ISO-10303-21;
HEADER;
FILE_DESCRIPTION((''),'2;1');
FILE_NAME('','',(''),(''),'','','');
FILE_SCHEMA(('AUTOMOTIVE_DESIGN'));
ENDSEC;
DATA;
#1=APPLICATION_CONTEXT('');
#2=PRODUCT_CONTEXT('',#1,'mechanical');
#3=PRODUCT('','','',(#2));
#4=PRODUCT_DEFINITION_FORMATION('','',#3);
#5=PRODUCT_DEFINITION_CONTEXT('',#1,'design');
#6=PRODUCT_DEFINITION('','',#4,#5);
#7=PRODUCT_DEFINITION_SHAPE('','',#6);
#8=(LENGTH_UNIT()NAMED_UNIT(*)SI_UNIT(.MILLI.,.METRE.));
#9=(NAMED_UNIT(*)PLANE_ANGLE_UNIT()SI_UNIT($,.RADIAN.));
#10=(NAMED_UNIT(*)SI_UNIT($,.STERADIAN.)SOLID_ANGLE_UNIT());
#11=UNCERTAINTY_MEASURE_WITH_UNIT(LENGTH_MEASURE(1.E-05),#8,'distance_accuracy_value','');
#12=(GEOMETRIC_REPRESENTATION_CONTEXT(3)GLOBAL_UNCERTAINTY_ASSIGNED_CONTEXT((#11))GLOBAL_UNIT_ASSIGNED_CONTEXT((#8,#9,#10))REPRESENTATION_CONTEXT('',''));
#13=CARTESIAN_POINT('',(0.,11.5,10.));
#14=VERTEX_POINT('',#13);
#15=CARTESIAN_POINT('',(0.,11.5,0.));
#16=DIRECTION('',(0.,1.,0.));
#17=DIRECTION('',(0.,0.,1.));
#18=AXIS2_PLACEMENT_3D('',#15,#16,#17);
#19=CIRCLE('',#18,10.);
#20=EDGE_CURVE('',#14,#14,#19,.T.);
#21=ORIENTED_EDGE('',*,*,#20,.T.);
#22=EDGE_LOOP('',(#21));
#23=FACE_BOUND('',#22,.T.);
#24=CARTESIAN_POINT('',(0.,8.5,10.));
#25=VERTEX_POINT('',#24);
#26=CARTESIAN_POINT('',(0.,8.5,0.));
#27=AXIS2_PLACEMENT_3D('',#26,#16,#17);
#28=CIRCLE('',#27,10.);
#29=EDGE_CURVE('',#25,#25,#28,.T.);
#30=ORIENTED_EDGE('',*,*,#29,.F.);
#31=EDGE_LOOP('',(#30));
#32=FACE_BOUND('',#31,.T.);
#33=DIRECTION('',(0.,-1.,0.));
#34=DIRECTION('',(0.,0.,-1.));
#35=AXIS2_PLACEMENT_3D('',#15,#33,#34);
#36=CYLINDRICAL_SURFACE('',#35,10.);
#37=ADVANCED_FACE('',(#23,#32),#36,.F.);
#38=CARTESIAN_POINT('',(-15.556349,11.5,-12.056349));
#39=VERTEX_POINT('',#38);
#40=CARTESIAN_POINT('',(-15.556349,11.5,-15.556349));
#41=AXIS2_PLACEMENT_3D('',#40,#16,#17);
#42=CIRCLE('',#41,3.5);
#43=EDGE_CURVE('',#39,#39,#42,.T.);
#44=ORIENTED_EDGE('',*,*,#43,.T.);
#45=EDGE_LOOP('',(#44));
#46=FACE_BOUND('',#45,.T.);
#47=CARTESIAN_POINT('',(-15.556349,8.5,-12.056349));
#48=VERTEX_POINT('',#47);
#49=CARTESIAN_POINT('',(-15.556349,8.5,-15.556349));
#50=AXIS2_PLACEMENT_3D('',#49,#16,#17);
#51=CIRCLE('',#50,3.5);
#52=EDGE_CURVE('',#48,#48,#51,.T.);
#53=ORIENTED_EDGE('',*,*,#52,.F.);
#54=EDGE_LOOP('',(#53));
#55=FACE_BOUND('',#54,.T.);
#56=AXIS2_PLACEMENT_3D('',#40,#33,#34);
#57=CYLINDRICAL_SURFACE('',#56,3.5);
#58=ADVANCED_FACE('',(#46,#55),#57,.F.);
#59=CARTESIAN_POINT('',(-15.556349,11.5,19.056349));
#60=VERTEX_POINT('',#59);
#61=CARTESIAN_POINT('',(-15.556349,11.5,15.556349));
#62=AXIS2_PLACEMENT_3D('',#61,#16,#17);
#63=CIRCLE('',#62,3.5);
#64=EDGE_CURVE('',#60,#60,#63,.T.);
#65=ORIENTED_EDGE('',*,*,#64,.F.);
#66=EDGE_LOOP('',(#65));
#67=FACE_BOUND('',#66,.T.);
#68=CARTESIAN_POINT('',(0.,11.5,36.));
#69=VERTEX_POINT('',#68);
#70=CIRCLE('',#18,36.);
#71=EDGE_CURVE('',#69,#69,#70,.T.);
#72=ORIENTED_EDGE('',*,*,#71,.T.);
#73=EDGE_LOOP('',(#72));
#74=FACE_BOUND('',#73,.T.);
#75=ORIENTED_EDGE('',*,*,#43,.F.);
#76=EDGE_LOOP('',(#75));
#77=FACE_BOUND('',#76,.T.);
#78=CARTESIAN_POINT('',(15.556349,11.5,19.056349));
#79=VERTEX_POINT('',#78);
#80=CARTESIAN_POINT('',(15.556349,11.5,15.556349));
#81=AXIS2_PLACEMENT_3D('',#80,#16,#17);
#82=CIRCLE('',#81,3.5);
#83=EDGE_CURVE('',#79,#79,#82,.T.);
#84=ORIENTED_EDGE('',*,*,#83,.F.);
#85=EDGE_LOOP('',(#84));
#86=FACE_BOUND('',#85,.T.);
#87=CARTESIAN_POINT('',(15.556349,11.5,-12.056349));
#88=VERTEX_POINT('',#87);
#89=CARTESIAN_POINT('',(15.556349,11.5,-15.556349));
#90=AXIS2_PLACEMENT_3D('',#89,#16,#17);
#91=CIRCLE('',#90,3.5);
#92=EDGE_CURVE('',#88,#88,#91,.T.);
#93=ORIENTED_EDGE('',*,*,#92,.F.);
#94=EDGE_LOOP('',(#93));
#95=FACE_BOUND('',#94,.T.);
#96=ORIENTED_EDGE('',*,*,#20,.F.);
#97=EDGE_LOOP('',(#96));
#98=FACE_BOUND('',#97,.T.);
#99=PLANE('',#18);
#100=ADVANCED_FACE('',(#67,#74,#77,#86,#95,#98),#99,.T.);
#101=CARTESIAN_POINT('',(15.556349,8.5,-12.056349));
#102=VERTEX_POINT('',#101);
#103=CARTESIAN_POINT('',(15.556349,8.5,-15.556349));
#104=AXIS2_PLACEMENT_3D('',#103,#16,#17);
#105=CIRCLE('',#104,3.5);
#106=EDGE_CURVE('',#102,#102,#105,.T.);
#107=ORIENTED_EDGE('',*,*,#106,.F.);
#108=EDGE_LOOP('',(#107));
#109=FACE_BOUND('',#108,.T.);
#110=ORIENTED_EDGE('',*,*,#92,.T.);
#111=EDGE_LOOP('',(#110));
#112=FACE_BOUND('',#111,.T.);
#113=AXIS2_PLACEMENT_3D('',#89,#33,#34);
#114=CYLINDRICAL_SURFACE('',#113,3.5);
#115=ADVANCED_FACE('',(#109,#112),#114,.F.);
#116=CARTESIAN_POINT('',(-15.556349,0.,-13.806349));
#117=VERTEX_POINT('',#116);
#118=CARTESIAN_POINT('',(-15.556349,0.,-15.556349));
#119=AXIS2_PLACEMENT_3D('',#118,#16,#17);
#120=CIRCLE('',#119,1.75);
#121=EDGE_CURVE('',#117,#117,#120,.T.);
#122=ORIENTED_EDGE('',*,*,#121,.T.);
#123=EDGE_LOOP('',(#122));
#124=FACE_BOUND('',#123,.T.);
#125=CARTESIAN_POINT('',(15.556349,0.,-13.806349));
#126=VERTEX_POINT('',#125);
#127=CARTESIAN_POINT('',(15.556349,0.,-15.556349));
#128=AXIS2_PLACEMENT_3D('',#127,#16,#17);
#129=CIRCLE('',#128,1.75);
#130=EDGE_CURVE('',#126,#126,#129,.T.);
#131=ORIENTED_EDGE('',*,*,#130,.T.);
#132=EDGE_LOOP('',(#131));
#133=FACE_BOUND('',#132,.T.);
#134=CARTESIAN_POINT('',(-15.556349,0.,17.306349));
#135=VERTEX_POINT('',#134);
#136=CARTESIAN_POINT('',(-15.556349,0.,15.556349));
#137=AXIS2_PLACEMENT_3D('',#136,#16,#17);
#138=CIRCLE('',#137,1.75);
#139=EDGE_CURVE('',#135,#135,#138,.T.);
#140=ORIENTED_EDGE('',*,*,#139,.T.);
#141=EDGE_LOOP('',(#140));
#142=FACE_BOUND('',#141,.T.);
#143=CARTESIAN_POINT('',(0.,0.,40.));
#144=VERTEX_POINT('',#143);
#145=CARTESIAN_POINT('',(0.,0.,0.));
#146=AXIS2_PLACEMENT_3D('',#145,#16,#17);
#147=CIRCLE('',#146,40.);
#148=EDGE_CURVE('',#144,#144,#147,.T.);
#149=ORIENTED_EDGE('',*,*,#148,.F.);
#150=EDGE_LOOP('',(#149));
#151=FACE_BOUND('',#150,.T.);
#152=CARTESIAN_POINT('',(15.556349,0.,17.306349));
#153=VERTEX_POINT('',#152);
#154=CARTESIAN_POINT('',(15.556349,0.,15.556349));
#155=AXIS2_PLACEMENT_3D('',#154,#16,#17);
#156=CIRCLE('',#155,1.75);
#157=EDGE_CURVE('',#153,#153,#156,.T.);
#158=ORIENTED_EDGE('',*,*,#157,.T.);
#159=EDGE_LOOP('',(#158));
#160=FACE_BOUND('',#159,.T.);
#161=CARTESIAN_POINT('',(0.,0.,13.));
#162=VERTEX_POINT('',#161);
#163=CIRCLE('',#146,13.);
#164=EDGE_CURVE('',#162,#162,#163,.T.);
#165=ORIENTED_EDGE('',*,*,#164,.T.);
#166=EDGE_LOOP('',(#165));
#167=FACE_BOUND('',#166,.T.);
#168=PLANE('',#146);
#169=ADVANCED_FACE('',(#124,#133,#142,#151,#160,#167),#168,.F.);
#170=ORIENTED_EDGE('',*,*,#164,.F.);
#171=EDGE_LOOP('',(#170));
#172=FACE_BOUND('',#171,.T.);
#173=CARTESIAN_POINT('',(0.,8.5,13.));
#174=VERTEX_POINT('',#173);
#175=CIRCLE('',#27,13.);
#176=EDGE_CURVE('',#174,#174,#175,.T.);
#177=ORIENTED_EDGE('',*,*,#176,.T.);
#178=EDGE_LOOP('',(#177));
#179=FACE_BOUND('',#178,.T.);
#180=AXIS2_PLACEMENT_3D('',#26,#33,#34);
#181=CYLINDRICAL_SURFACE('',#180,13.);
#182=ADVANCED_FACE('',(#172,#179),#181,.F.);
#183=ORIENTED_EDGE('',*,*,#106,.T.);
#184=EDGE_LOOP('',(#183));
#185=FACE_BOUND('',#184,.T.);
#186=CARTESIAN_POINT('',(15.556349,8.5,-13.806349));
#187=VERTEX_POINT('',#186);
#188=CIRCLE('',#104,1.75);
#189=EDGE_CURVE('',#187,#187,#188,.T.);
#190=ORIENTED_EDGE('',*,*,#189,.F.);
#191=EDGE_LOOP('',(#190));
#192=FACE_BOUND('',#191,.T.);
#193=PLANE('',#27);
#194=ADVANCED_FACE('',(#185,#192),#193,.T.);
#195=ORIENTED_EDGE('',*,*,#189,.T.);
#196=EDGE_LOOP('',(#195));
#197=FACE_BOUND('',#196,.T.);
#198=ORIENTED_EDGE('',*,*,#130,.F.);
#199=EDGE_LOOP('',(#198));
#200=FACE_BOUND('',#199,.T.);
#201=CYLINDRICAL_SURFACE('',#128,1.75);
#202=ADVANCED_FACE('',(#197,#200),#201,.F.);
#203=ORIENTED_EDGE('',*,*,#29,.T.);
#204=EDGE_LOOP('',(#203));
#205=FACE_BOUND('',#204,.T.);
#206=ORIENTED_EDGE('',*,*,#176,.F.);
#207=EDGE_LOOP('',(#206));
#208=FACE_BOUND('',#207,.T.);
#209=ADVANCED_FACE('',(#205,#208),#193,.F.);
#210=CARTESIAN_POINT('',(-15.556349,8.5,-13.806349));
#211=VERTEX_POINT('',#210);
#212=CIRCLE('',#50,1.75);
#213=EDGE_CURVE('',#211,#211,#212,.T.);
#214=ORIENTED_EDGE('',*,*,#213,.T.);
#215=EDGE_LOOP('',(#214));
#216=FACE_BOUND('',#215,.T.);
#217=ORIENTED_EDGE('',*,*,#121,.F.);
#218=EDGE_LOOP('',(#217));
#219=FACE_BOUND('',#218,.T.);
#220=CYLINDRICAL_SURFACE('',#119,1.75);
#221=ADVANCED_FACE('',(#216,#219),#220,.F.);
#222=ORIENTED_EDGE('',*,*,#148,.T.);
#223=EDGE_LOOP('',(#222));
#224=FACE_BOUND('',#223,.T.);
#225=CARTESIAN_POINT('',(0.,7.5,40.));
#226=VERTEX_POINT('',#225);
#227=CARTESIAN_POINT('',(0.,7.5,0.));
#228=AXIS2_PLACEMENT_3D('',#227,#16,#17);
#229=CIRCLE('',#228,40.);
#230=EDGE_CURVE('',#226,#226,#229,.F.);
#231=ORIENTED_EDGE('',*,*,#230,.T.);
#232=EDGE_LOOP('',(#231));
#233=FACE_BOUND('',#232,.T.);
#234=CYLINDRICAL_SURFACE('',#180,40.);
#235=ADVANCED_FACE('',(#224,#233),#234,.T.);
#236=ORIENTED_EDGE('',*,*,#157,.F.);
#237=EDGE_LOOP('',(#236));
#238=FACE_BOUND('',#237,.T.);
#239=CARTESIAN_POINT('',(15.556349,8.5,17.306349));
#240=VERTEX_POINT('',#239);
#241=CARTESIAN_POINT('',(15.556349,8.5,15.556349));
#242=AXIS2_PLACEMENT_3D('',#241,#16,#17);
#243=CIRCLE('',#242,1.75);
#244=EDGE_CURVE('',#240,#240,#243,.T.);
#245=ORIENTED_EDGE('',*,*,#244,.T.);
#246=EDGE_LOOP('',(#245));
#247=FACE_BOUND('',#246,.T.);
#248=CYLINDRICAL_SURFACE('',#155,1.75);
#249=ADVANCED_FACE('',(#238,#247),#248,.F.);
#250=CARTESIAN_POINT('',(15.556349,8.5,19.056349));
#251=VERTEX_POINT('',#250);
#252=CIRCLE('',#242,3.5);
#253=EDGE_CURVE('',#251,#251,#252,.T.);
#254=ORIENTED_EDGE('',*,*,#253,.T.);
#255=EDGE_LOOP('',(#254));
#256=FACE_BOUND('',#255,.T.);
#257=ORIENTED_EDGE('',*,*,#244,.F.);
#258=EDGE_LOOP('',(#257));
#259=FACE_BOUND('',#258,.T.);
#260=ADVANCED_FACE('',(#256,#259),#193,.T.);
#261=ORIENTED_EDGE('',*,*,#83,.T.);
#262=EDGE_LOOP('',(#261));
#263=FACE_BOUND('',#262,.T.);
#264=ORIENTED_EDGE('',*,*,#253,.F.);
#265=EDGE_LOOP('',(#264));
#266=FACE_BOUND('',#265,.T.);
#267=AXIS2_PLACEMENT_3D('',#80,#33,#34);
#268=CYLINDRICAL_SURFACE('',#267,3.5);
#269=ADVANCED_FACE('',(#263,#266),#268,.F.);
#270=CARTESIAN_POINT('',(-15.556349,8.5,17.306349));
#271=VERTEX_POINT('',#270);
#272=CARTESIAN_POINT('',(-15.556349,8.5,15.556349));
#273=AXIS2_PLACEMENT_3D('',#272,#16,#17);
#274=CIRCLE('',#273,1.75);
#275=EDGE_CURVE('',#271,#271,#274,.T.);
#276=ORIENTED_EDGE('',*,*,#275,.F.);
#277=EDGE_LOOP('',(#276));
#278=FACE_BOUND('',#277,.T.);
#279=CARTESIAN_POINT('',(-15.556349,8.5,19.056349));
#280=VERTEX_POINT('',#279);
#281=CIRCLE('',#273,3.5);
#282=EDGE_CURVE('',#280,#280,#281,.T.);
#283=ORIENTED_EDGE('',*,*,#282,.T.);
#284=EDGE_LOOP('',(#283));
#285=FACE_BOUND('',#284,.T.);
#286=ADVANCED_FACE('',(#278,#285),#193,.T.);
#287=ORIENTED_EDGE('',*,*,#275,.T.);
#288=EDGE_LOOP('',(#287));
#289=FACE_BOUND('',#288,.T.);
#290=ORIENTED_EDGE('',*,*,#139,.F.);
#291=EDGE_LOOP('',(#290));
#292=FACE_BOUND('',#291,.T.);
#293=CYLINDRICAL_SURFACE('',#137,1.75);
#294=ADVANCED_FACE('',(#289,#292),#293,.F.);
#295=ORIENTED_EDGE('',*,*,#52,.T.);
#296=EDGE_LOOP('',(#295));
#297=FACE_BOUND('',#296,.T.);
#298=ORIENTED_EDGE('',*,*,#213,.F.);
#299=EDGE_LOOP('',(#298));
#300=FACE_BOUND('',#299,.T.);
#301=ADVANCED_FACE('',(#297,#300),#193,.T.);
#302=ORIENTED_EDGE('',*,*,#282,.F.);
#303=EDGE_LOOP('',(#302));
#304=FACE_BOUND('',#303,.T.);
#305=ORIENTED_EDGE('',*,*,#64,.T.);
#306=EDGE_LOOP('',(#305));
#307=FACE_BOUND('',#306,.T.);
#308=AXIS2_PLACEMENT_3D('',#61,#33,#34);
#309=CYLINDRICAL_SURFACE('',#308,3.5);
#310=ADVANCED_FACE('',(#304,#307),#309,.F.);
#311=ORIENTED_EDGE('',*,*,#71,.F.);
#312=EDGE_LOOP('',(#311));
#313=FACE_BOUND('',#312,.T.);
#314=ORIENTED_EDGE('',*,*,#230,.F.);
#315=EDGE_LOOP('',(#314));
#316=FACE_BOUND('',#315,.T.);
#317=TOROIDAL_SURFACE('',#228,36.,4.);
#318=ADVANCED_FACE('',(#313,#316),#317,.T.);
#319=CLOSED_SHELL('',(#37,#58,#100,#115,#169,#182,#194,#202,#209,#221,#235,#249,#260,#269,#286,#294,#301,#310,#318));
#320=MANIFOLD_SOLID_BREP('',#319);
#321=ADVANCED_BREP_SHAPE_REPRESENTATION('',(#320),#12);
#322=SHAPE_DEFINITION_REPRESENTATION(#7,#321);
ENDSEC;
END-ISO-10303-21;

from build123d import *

# Parameters (mm, degrees)
SKETCH1_R           = 40
SKETCH1_R_2         = 13
BOSS_EXTRUDE1_DEPTH = 8.5
SKETCH3_R           = 1.75
CUT_EXTRUDE1_DEPTH  = 58.203583804
SKETCH2_R           = 40
SKETCH2_R_2         = 10
SKETCH2_R_3         = 3.5
BOSS_EXTRUDE2_DEPTH = 3
FILLET1_R           = 4


with BuildPart() as part:
    # Sketch1 → Boss-Extrude1 (new body)
    with BuildSketch(Plane(origin=(0, 0, 0), x_dir=(1, 0, 0), z_dir=(0, 1, 0))):
        with Locations(Location((0, 0, 0), (0, 0, 270))):
            Circle(SKETCH1_R)
        with Locations(Location((0, 0, 0), (0, 0, 270))):
            Circle(SKETCH1_R_2, mode=Mode.SUBTRACT)
    extrude(amount=BOSS_EXTRUDE1_DEPTH)

    # Sketch3 → Cut-Extrude1 (cut, through all)
    with BuildSketch(Plane(origin=(0, 8.5, 0), x_dir=(1, 0, 0), z_dir=(0, 1, 0))):
        with Locations(Location((-15.556349186, 15.556349186, 0), (0, 0, 270))):
            Circle(SKETCH3_R)
        with Locations(Location((15.556349186, 15.556349186, 0), (0, 0, 270))):
            Circle(SKETCH3_R)
        with Locations(Location((15.556349186, -15.556349186, 0), (0, 0, 270))):
            Circle(SKETCH3_R)
        with Locations(Location((-15.556349186, -15.556349186, 0), (0, 0, 270))):
            Circle(SKETCH3_R)
    extrude(amount=-CUT_EXTRUDE1_DEPTH, mode=Mode.SUBTRACT)

    # Sketch2 → Boss-Extrude2 (add)
    with BuildSketch(Plane(origin=(0, 8.5, 0), x_dir=(1, 0, 0), z_dir=(0, 1, 0))):
        with Locations(Location((0, 0, 0), (0, 0, 270))):
            Circle(SKETCH2_R)
        with Locations(Location((0, 0, 0), (0, 0, 270))):
            Circle(SKETCH2_R_2, mode=Mode.SUBTRACT)
        with Locations(Location((-15.556349186, 15.556349186, 0), (0, 0, 270))):
            Circle(SKETCH2_R_3, mode=Mode.SUBTRACT)
        with Locations(Location((15.556349186, 15.556349186, 0), (0, 0, 270))):
            Circle(SKETCH2_R_3, mode=Mode.SUBTRACT)
        with Locations(Location((15.556349186, -15.556349186, 0), (0, 0, 270))):
            Circle(SKETCH2_R_3, mode=Mode.SUBTRACT)
        with Locations(Location((-15.556349186, -15.556349186, 0), (0, 0, 270))):
            Circle(SKETCH2_R_3, mode=Mode.SUBTRACT)
    extrude(amount=BOSS_EXTRUDE2_DEPTH)

    # Fillet1
    fillet1_edges = [part.edges().sort_by_distance(p)[0] for p in [
        (0, 11.5, -40),
    ]]
    fillet(fillet1_edges, radius=FILLET1_R)


solid = part.part
